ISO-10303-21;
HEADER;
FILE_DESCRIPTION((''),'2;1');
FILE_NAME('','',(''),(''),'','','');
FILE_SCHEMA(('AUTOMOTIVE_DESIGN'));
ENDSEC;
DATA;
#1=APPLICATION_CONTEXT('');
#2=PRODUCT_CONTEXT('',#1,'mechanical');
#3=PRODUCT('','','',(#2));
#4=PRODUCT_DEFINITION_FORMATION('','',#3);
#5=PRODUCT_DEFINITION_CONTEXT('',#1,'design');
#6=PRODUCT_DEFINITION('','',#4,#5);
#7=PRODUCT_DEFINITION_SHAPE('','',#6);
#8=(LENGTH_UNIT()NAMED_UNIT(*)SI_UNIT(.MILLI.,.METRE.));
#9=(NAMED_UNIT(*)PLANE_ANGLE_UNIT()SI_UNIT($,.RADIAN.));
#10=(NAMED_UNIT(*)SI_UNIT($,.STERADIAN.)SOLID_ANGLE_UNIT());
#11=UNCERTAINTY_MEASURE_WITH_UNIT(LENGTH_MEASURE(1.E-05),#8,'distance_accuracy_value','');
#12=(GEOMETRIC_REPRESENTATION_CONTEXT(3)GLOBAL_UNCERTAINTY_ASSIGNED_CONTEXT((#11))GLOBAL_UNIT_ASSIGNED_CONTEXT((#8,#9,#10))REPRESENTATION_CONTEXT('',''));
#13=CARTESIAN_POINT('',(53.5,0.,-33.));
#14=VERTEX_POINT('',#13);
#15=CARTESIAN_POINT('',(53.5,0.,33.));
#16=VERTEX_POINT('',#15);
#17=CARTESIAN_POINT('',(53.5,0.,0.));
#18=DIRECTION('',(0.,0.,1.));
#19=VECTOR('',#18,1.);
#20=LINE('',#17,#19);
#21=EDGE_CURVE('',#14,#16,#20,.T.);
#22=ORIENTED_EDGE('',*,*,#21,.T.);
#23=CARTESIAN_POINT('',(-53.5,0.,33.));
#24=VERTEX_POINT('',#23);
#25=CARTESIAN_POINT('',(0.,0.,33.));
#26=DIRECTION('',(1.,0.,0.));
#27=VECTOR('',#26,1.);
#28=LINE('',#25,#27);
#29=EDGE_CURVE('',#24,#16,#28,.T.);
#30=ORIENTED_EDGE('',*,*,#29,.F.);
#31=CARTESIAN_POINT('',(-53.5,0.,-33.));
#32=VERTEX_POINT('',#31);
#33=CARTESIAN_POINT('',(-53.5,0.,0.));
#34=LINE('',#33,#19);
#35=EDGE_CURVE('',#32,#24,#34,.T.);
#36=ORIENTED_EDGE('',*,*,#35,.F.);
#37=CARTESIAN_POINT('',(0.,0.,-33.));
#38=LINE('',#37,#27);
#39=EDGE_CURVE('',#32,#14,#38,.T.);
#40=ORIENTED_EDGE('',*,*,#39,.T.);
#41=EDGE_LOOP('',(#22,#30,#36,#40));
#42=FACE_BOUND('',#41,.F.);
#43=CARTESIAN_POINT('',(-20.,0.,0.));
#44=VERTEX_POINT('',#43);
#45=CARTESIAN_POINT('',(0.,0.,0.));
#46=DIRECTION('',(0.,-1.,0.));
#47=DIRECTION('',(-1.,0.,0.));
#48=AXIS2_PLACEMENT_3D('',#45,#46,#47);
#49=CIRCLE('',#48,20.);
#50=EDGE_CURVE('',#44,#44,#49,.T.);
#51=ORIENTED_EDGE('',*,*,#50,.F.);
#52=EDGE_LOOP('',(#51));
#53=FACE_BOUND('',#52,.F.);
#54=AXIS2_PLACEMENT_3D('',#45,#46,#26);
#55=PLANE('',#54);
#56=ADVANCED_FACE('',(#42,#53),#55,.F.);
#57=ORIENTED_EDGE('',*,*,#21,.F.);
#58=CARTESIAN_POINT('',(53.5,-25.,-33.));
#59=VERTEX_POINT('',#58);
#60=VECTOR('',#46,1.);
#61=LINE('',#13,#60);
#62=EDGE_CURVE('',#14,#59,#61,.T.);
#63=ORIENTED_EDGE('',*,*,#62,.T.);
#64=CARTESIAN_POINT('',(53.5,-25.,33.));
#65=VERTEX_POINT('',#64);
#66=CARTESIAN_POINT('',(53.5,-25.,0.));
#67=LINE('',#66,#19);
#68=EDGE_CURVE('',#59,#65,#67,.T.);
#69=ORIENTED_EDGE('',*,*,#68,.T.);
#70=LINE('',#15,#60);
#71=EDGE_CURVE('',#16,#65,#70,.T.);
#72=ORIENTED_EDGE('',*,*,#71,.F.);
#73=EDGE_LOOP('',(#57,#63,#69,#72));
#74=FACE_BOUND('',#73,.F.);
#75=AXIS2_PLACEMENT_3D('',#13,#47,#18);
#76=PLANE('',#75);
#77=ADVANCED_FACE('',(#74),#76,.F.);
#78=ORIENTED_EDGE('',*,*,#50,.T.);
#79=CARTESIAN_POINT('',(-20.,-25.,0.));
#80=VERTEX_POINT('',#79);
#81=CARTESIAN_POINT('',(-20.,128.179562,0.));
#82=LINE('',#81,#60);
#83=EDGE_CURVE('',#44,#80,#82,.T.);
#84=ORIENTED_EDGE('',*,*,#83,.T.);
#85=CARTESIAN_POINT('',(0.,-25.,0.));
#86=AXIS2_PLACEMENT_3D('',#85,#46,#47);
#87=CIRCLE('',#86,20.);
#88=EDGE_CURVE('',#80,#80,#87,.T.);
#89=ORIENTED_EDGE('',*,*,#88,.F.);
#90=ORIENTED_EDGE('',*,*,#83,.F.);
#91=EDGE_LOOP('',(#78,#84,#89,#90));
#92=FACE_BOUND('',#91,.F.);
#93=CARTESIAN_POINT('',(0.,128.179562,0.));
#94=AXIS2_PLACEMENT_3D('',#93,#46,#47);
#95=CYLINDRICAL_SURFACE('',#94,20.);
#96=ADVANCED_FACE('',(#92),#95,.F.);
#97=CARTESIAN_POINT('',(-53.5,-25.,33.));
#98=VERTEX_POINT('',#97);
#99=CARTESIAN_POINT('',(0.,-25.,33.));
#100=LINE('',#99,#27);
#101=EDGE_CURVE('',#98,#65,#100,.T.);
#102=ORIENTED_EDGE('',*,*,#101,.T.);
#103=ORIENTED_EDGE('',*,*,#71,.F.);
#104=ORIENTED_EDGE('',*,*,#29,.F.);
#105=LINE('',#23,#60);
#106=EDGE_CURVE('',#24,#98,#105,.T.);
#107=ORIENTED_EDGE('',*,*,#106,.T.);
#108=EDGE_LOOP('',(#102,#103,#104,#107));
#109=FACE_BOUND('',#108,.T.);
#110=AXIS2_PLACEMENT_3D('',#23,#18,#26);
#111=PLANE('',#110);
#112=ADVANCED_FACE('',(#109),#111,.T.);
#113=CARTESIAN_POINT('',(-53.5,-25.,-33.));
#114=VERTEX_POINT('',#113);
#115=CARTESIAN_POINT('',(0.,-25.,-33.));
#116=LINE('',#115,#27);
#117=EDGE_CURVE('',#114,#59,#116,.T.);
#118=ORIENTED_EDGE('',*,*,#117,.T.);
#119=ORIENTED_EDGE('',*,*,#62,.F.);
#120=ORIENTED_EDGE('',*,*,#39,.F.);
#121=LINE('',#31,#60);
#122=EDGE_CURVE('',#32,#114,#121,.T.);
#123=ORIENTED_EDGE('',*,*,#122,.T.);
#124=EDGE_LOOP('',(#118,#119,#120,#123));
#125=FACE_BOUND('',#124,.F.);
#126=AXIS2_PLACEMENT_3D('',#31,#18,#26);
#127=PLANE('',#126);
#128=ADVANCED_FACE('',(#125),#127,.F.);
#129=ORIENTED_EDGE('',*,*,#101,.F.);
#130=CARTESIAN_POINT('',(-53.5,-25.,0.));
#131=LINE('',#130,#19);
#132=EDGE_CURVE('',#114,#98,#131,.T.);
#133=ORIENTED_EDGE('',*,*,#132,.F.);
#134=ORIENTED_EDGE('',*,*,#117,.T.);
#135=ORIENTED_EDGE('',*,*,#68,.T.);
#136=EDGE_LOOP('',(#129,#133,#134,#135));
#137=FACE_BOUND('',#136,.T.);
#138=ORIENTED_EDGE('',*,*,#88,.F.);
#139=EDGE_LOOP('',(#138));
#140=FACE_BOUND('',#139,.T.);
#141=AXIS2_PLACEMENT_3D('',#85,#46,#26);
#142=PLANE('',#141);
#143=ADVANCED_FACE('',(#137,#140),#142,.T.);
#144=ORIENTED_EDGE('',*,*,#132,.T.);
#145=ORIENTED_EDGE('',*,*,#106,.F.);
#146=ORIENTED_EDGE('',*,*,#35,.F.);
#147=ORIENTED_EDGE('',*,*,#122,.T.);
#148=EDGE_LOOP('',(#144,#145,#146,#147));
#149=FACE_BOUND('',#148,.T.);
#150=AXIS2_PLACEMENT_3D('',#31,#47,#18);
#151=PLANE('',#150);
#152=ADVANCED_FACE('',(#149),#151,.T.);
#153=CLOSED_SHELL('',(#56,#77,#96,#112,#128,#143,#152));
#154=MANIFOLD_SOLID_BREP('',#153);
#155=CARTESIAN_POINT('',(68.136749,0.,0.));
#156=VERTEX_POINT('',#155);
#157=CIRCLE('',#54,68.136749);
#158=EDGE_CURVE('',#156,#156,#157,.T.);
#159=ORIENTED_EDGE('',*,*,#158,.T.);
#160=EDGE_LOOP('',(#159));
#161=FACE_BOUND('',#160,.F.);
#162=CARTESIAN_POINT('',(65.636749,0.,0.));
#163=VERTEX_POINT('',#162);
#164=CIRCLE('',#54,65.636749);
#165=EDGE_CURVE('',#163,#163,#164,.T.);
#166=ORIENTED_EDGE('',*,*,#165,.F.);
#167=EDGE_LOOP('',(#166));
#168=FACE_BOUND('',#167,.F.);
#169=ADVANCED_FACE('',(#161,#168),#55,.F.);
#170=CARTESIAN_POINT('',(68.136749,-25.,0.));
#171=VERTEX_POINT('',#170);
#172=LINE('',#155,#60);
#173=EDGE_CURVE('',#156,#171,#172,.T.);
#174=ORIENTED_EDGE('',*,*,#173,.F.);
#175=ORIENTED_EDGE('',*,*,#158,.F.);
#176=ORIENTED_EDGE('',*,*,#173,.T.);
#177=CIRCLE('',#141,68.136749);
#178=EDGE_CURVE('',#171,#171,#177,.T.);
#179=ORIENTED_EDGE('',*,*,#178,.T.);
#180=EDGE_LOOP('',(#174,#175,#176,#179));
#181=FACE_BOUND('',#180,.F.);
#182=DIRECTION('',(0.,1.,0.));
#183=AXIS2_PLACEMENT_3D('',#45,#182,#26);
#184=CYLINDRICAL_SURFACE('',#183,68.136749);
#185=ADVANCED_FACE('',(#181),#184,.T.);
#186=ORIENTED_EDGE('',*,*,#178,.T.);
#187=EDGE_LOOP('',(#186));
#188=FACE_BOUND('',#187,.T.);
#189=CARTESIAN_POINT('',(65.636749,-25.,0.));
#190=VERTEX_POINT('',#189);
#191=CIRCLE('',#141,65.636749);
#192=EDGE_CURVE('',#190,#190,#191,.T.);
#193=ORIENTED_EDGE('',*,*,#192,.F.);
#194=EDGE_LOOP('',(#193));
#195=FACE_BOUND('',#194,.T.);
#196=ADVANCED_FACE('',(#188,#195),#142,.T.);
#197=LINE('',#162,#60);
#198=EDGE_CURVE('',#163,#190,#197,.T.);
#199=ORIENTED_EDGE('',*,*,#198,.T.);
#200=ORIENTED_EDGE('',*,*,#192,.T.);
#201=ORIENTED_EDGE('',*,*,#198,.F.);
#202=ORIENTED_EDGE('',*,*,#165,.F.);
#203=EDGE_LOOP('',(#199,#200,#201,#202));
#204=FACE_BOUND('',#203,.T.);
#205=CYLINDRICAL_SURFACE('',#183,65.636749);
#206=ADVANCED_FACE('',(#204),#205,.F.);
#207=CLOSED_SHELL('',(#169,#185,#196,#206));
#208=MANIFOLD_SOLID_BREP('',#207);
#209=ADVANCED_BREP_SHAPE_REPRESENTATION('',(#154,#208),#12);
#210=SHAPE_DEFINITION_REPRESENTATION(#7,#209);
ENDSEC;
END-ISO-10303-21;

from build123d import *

# Parameters (mm, degrees)
F0_R     = 68.136749
F1_DEPTH = 25
F2_T     = -2.5
F3_W     = 107
F3_H     = 66
F4_DEPTH = 25
F6_D     = 40


with BuildPart() as f1:
    # F0 (on Front) → F1 (new body)
    with BuildSketch(Plane.XZ):
        Circle(F0_R)
    extrude(amount=F1_DEPTH)

    # F2
    f2_openings = [f1.faces().sort_by_distance(p)[0] for p in [
        (0, -25, 0),
        (0, 0, 0),
    ]]
    offset(amount=F2_T, openings=f2_openings)


with BuildPart() as f4:
    # F3 (on Front) → F4 (new body)
    with BuildSketch(Plane.XZ):
        Rectangle(F3_W, F3_H)
    extrude(amount=F4_DEPTH)

    # F6 (through all)
    with Locations(Plane(origin=(0, 0, 0), x_dir=(1, 0, 0), z_dir=(0, 1, 0))):
        with Locations((0, 0)):
            Hole(F6_D / 2)


solid = Compound([f1.part, f4.part])
